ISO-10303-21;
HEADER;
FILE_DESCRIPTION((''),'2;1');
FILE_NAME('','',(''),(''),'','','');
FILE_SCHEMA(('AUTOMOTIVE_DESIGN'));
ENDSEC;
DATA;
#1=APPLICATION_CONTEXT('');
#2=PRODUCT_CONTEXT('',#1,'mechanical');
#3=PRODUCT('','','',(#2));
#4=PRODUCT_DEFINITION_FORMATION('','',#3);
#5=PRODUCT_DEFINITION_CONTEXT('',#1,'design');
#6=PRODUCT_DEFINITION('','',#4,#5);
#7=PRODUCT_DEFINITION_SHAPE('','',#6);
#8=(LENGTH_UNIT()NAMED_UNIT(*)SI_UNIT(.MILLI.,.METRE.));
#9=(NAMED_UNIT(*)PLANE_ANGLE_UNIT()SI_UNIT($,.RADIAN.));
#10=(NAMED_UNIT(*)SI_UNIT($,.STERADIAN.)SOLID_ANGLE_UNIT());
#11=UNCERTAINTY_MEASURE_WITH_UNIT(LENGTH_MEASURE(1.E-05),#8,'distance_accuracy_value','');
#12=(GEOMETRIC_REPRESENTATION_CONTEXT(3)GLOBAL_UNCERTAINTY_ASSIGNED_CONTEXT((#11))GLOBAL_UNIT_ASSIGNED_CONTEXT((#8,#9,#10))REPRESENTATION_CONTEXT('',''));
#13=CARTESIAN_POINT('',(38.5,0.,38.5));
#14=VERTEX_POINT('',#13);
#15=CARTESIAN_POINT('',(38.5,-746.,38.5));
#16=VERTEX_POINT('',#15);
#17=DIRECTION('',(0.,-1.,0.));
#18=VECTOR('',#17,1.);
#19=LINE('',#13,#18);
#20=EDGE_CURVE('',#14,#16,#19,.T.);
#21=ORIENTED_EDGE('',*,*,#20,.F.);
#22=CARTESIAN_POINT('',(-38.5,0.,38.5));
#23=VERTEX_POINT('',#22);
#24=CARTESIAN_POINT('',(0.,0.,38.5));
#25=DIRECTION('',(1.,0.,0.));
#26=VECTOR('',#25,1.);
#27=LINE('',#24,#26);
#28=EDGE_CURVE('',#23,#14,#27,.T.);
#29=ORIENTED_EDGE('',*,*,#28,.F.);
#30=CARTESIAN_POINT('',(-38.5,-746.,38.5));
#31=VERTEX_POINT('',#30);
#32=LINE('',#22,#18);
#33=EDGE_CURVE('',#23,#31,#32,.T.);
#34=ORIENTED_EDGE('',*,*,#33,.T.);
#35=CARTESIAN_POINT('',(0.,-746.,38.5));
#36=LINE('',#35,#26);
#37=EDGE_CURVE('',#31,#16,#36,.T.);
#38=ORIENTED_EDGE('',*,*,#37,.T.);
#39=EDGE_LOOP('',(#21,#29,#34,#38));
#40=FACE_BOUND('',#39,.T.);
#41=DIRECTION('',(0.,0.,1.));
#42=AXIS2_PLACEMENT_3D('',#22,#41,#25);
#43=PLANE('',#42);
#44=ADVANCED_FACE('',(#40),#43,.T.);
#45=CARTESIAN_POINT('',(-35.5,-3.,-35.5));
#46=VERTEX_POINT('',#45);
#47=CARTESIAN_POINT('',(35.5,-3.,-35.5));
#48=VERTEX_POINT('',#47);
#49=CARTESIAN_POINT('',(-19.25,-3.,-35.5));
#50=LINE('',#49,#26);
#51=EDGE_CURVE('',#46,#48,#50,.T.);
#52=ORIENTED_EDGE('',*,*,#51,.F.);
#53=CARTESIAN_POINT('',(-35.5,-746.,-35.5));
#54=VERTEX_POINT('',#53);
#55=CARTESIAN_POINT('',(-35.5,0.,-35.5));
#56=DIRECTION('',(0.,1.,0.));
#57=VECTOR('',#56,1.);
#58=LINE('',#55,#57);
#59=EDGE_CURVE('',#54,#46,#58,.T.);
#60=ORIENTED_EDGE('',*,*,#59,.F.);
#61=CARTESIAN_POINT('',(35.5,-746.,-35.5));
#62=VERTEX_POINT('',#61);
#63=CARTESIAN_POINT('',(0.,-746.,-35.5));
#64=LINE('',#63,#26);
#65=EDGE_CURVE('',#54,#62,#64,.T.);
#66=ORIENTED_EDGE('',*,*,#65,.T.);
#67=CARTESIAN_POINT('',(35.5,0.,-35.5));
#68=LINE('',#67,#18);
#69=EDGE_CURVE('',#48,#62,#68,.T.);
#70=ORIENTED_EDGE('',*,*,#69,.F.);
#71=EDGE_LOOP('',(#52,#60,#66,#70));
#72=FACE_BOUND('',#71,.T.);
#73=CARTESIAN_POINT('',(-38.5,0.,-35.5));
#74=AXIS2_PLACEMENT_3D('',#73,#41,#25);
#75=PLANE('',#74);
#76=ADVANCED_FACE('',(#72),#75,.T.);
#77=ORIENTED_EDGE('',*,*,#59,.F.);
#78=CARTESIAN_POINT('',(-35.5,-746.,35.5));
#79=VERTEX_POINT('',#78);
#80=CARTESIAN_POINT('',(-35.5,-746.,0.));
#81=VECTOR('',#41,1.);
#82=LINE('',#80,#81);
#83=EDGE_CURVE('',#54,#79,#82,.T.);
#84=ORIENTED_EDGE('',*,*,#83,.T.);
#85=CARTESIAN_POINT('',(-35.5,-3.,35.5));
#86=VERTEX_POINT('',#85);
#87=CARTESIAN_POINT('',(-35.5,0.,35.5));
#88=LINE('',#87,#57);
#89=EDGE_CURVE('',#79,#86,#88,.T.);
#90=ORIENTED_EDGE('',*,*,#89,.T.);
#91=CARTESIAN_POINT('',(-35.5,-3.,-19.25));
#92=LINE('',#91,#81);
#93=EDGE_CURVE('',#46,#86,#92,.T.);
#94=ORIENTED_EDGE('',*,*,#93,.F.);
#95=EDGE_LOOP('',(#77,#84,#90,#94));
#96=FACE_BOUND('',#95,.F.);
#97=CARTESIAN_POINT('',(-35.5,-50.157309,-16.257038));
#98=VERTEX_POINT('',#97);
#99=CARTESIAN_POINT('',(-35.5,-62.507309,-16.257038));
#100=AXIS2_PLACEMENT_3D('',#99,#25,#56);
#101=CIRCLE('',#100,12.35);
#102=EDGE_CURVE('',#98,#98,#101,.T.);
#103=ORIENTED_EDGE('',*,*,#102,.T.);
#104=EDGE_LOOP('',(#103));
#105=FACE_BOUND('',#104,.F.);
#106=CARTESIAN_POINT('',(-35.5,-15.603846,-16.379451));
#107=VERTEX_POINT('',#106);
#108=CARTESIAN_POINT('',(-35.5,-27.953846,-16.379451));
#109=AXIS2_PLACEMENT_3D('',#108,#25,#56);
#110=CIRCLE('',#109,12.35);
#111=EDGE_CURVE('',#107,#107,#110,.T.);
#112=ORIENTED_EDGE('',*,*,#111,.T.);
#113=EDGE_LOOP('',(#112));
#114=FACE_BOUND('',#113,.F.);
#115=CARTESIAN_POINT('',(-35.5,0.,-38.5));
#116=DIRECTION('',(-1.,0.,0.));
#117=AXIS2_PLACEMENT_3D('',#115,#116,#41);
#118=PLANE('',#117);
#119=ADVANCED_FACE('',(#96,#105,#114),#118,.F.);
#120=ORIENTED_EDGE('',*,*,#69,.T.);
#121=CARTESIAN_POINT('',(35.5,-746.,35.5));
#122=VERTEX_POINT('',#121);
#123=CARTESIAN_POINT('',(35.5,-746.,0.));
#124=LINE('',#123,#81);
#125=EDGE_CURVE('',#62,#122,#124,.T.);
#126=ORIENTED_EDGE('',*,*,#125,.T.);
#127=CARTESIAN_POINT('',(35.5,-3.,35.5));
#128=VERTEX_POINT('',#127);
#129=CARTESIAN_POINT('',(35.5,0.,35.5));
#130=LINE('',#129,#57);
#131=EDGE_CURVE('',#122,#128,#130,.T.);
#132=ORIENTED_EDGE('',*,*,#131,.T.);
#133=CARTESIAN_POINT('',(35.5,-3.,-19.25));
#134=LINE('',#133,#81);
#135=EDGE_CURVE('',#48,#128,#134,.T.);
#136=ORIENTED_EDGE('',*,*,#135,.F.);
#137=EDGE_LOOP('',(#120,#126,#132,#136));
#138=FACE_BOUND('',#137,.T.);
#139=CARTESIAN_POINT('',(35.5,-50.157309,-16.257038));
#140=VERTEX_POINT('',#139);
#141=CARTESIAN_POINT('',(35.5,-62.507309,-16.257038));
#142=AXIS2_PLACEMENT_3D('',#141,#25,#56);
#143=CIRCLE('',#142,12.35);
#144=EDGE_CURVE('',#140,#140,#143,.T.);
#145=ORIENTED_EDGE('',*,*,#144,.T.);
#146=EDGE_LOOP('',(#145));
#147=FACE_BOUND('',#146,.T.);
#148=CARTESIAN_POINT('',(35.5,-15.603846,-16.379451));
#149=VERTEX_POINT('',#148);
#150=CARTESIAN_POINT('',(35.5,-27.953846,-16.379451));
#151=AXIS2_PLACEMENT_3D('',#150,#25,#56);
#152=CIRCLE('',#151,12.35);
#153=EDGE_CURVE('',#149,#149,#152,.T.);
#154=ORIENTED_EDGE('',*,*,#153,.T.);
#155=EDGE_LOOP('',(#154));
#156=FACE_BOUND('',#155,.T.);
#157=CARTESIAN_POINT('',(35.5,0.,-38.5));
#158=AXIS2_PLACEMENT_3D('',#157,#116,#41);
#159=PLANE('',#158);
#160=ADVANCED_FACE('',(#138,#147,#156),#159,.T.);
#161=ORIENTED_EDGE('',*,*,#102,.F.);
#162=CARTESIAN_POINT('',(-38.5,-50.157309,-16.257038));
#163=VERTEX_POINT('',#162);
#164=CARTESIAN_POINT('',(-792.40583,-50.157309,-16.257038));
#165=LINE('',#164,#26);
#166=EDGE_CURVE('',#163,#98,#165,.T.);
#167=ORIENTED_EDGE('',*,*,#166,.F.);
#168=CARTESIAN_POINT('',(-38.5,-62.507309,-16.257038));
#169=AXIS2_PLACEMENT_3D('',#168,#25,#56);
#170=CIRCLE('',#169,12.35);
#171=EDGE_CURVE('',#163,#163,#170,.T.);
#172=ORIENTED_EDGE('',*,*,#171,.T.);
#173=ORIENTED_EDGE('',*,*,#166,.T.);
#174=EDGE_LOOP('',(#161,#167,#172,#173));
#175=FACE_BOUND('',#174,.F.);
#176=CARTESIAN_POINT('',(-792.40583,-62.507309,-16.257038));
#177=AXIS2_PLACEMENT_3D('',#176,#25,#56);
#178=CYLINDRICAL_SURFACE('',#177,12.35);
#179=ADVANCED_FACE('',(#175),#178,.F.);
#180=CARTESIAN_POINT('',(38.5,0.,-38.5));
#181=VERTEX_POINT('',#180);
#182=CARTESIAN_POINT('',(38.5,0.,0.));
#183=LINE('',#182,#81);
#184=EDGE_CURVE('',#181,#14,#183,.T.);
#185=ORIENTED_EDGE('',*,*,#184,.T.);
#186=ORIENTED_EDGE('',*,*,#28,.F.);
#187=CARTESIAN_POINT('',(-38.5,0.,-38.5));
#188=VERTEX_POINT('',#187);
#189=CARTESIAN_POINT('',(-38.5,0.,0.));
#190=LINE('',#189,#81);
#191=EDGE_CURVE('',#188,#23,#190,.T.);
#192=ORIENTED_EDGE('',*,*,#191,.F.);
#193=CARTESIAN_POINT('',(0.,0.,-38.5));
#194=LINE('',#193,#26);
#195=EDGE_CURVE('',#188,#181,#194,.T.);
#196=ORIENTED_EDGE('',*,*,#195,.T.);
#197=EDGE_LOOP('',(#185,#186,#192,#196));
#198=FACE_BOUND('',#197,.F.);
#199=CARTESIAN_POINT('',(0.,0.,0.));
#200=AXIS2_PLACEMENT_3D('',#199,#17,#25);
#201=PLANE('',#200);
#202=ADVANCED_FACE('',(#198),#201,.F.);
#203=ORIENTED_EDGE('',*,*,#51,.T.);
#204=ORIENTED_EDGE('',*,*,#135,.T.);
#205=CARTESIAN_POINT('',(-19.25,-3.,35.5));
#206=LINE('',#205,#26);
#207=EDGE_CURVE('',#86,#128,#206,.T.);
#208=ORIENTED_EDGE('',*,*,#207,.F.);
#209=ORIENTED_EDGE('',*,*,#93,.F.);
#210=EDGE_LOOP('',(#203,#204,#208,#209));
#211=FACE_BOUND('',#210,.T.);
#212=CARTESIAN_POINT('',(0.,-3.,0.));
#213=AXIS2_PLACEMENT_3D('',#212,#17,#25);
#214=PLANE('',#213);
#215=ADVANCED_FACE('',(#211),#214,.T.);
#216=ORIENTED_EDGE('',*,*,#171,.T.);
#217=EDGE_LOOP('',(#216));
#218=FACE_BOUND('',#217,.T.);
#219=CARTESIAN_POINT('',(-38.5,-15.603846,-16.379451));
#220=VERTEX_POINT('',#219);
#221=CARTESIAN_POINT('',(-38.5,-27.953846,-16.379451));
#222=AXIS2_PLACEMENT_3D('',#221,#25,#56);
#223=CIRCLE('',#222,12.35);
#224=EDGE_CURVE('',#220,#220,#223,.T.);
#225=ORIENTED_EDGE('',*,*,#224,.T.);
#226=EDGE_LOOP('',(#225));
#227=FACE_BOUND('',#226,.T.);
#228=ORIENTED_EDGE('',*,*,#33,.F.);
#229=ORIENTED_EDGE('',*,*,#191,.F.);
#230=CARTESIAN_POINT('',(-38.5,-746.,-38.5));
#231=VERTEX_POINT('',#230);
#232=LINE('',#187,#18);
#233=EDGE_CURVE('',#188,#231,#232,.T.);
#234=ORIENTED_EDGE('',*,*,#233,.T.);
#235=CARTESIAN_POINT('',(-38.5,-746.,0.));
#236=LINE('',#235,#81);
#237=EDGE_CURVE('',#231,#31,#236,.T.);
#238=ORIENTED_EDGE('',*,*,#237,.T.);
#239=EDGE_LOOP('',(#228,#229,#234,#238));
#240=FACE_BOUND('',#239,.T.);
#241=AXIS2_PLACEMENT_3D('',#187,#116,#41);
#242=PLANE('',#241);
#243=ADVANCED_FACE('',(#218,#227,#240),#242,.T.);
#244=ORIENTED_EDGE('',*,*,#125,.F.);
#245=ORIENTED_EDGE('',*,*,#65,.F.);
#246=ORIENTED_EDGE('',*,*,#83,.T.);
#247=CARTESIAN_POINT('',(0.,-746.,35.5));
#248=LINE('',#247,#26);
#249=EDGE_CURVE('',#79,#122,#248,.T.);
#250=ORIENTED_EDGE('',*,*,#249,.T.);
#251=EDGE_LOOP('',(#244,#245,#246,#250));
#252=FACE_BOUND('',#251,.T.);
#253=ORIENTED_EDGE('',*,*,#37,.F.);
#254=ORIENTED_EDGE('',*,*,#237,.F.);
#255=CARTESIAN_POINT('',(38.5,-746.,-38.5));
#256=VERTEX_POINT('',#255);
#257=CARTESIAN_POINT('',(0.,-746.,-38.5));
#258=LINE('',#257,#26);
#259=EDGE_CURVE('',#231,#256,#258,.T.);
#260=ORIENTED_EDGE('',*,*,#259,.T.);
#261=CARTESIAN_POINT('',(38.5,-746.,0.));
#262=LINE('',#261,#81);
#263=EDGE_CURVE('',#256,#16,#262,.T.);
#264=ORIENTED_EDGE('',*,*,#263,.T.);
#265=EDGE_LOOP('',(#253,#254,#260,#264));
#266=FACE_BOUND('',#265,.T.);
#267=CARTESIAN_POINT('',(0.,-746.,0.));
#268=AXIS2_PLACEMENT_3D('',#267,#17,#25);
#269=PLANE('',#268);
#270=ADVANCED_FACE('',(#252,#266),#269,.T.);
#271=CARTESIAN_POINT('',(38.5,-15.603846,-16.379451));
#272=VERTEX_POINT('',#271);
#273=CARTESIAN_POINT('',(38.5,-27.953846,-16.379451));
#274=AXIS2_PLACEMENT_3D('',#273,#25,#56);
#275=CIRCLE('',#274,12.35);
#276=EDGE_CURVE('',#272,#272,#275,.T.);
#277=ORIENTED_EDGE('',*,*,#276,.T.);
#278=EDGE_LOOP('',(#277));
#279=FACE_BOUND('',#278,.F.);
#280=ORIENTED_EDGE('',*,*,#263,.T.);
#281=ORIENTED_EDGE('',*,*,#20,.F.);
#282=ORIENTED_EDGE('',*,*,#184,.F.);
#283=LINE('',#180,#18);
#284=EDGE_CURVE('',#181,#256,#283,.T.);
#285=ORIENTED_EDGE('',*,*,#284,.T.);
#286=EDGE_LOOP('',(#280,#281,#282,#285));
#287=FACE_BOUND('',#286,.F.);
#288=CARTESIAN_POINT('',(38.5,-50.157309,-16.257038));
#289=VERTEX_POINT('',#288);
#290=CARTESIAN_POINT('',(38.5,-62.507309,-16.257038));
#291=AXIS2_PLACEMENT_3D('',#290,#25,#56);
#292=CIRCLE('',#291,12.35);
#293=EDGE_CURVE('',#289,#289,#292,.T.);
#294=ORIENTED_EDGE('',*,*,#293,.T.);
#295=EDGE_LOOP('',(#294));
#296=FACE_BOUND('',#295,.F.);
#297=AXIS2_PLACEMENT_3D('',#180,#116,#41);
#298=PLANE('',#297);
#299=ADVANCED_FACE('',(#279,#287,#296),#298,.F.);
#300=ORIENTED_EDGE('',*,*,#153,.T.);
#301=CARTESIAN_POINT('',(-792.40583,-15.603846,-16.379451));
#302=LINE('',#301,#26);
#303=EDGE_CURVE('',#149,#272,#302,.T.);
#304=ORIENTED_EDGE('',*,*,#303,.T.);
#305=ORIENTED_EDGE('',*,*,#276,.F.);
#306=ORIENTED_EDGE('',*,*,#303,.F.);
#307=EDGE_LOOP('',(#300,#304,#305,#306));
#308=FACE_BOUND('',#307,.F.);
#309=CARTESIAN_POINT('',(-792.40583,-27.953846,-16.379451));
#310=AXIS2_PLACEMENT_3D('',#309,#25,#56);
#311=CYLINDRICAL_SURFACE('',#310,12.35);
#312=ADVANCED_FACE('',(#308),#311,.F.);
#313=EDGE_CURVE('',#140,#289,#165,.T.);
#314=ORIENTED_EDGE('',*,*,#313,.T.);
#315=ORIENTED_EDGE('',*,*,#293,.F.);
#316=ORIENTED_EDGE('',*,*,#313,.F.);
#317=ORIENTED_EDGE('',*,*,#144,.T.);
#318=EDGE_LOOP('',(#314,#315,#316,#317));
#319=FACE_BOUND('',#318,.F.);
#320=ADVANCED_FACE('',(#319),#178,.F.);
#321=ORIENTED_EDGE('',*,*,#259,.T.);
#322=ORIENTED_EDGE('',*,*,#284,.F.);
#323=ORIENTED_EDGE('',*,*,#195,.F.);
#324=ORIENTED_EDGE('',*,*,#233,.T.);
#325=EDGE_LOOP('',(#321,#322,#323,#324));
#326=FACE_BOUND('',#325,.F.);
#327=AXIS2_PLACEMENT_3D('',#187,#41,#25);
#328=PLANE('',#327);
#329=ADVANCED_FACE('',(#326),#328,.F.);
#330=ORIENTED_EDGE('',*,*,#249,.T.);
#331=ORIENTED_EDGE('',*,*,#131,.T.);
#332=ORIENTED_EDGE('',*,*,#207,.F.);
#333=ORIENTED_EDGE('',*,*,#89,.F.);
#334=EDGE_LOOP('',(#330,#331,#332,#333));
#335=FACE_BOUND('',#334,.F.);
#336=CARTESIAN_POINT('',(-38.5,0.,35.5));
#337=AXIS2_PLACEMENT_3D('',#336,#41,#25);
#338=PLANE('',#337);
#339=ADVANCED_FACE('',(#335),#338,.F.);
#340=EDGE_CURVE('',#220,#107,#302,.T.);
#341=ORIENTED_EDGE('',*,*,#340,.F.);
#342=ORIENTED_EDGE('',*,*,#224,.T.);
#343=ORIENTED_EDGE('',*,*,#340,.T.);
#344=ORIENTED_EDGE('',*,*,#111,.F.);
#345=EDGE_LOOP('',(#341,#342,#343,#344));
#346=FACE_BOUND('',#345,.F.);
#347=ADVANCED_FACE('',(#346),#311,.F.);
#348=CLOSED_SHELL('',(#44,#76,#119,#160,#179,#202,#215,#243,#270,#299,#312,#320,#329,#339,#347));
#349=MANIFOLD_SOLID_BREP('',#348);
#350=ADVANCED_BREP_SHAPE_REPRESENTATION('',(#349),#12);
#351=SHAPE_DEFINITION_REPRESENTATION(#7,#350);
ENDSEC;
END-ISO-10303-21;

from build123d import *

# Parameters (mm, degrees)
F0_W     = 77
F0_H     = 77
F1_DEPTH = 746
F2_T     = -3
F4_D     = 24.7
F6_D     = 24.7


with BuildPart() as f1:
    # F0 (on Front) → F1 (new body)
    with BuildSketch(Plane.XZ):
        Rectangle(F0_W, F0_H)
    extrude(amount=F1_DEPTH)

    # F2
    f2_openings = [f1.faces().sort_by_distance(p)[0] for p in [
        (0, -746, 0),
    ]]
    offset(amount=F2_T, openings=f2_openings)

    # F4 (through all)
    with Locations(Plane(origin=(-38.5, 0, 0), x_dir=(0, -1, 0), z_dir=(-1, 0, 0))):
        with Locations((27.953846, -16.379451)):
            Hole(F4_D / 2)

    # F6 (through all)
    with Locations(Plane(origin=(-38.5, 0, 0), x_dir=(0, -1, 0), z_dir=(-1, 0, 0))):
        with Locations((62.507309, -16.257038)):
            Hole(F6_D / 2)


solid = f1.part
